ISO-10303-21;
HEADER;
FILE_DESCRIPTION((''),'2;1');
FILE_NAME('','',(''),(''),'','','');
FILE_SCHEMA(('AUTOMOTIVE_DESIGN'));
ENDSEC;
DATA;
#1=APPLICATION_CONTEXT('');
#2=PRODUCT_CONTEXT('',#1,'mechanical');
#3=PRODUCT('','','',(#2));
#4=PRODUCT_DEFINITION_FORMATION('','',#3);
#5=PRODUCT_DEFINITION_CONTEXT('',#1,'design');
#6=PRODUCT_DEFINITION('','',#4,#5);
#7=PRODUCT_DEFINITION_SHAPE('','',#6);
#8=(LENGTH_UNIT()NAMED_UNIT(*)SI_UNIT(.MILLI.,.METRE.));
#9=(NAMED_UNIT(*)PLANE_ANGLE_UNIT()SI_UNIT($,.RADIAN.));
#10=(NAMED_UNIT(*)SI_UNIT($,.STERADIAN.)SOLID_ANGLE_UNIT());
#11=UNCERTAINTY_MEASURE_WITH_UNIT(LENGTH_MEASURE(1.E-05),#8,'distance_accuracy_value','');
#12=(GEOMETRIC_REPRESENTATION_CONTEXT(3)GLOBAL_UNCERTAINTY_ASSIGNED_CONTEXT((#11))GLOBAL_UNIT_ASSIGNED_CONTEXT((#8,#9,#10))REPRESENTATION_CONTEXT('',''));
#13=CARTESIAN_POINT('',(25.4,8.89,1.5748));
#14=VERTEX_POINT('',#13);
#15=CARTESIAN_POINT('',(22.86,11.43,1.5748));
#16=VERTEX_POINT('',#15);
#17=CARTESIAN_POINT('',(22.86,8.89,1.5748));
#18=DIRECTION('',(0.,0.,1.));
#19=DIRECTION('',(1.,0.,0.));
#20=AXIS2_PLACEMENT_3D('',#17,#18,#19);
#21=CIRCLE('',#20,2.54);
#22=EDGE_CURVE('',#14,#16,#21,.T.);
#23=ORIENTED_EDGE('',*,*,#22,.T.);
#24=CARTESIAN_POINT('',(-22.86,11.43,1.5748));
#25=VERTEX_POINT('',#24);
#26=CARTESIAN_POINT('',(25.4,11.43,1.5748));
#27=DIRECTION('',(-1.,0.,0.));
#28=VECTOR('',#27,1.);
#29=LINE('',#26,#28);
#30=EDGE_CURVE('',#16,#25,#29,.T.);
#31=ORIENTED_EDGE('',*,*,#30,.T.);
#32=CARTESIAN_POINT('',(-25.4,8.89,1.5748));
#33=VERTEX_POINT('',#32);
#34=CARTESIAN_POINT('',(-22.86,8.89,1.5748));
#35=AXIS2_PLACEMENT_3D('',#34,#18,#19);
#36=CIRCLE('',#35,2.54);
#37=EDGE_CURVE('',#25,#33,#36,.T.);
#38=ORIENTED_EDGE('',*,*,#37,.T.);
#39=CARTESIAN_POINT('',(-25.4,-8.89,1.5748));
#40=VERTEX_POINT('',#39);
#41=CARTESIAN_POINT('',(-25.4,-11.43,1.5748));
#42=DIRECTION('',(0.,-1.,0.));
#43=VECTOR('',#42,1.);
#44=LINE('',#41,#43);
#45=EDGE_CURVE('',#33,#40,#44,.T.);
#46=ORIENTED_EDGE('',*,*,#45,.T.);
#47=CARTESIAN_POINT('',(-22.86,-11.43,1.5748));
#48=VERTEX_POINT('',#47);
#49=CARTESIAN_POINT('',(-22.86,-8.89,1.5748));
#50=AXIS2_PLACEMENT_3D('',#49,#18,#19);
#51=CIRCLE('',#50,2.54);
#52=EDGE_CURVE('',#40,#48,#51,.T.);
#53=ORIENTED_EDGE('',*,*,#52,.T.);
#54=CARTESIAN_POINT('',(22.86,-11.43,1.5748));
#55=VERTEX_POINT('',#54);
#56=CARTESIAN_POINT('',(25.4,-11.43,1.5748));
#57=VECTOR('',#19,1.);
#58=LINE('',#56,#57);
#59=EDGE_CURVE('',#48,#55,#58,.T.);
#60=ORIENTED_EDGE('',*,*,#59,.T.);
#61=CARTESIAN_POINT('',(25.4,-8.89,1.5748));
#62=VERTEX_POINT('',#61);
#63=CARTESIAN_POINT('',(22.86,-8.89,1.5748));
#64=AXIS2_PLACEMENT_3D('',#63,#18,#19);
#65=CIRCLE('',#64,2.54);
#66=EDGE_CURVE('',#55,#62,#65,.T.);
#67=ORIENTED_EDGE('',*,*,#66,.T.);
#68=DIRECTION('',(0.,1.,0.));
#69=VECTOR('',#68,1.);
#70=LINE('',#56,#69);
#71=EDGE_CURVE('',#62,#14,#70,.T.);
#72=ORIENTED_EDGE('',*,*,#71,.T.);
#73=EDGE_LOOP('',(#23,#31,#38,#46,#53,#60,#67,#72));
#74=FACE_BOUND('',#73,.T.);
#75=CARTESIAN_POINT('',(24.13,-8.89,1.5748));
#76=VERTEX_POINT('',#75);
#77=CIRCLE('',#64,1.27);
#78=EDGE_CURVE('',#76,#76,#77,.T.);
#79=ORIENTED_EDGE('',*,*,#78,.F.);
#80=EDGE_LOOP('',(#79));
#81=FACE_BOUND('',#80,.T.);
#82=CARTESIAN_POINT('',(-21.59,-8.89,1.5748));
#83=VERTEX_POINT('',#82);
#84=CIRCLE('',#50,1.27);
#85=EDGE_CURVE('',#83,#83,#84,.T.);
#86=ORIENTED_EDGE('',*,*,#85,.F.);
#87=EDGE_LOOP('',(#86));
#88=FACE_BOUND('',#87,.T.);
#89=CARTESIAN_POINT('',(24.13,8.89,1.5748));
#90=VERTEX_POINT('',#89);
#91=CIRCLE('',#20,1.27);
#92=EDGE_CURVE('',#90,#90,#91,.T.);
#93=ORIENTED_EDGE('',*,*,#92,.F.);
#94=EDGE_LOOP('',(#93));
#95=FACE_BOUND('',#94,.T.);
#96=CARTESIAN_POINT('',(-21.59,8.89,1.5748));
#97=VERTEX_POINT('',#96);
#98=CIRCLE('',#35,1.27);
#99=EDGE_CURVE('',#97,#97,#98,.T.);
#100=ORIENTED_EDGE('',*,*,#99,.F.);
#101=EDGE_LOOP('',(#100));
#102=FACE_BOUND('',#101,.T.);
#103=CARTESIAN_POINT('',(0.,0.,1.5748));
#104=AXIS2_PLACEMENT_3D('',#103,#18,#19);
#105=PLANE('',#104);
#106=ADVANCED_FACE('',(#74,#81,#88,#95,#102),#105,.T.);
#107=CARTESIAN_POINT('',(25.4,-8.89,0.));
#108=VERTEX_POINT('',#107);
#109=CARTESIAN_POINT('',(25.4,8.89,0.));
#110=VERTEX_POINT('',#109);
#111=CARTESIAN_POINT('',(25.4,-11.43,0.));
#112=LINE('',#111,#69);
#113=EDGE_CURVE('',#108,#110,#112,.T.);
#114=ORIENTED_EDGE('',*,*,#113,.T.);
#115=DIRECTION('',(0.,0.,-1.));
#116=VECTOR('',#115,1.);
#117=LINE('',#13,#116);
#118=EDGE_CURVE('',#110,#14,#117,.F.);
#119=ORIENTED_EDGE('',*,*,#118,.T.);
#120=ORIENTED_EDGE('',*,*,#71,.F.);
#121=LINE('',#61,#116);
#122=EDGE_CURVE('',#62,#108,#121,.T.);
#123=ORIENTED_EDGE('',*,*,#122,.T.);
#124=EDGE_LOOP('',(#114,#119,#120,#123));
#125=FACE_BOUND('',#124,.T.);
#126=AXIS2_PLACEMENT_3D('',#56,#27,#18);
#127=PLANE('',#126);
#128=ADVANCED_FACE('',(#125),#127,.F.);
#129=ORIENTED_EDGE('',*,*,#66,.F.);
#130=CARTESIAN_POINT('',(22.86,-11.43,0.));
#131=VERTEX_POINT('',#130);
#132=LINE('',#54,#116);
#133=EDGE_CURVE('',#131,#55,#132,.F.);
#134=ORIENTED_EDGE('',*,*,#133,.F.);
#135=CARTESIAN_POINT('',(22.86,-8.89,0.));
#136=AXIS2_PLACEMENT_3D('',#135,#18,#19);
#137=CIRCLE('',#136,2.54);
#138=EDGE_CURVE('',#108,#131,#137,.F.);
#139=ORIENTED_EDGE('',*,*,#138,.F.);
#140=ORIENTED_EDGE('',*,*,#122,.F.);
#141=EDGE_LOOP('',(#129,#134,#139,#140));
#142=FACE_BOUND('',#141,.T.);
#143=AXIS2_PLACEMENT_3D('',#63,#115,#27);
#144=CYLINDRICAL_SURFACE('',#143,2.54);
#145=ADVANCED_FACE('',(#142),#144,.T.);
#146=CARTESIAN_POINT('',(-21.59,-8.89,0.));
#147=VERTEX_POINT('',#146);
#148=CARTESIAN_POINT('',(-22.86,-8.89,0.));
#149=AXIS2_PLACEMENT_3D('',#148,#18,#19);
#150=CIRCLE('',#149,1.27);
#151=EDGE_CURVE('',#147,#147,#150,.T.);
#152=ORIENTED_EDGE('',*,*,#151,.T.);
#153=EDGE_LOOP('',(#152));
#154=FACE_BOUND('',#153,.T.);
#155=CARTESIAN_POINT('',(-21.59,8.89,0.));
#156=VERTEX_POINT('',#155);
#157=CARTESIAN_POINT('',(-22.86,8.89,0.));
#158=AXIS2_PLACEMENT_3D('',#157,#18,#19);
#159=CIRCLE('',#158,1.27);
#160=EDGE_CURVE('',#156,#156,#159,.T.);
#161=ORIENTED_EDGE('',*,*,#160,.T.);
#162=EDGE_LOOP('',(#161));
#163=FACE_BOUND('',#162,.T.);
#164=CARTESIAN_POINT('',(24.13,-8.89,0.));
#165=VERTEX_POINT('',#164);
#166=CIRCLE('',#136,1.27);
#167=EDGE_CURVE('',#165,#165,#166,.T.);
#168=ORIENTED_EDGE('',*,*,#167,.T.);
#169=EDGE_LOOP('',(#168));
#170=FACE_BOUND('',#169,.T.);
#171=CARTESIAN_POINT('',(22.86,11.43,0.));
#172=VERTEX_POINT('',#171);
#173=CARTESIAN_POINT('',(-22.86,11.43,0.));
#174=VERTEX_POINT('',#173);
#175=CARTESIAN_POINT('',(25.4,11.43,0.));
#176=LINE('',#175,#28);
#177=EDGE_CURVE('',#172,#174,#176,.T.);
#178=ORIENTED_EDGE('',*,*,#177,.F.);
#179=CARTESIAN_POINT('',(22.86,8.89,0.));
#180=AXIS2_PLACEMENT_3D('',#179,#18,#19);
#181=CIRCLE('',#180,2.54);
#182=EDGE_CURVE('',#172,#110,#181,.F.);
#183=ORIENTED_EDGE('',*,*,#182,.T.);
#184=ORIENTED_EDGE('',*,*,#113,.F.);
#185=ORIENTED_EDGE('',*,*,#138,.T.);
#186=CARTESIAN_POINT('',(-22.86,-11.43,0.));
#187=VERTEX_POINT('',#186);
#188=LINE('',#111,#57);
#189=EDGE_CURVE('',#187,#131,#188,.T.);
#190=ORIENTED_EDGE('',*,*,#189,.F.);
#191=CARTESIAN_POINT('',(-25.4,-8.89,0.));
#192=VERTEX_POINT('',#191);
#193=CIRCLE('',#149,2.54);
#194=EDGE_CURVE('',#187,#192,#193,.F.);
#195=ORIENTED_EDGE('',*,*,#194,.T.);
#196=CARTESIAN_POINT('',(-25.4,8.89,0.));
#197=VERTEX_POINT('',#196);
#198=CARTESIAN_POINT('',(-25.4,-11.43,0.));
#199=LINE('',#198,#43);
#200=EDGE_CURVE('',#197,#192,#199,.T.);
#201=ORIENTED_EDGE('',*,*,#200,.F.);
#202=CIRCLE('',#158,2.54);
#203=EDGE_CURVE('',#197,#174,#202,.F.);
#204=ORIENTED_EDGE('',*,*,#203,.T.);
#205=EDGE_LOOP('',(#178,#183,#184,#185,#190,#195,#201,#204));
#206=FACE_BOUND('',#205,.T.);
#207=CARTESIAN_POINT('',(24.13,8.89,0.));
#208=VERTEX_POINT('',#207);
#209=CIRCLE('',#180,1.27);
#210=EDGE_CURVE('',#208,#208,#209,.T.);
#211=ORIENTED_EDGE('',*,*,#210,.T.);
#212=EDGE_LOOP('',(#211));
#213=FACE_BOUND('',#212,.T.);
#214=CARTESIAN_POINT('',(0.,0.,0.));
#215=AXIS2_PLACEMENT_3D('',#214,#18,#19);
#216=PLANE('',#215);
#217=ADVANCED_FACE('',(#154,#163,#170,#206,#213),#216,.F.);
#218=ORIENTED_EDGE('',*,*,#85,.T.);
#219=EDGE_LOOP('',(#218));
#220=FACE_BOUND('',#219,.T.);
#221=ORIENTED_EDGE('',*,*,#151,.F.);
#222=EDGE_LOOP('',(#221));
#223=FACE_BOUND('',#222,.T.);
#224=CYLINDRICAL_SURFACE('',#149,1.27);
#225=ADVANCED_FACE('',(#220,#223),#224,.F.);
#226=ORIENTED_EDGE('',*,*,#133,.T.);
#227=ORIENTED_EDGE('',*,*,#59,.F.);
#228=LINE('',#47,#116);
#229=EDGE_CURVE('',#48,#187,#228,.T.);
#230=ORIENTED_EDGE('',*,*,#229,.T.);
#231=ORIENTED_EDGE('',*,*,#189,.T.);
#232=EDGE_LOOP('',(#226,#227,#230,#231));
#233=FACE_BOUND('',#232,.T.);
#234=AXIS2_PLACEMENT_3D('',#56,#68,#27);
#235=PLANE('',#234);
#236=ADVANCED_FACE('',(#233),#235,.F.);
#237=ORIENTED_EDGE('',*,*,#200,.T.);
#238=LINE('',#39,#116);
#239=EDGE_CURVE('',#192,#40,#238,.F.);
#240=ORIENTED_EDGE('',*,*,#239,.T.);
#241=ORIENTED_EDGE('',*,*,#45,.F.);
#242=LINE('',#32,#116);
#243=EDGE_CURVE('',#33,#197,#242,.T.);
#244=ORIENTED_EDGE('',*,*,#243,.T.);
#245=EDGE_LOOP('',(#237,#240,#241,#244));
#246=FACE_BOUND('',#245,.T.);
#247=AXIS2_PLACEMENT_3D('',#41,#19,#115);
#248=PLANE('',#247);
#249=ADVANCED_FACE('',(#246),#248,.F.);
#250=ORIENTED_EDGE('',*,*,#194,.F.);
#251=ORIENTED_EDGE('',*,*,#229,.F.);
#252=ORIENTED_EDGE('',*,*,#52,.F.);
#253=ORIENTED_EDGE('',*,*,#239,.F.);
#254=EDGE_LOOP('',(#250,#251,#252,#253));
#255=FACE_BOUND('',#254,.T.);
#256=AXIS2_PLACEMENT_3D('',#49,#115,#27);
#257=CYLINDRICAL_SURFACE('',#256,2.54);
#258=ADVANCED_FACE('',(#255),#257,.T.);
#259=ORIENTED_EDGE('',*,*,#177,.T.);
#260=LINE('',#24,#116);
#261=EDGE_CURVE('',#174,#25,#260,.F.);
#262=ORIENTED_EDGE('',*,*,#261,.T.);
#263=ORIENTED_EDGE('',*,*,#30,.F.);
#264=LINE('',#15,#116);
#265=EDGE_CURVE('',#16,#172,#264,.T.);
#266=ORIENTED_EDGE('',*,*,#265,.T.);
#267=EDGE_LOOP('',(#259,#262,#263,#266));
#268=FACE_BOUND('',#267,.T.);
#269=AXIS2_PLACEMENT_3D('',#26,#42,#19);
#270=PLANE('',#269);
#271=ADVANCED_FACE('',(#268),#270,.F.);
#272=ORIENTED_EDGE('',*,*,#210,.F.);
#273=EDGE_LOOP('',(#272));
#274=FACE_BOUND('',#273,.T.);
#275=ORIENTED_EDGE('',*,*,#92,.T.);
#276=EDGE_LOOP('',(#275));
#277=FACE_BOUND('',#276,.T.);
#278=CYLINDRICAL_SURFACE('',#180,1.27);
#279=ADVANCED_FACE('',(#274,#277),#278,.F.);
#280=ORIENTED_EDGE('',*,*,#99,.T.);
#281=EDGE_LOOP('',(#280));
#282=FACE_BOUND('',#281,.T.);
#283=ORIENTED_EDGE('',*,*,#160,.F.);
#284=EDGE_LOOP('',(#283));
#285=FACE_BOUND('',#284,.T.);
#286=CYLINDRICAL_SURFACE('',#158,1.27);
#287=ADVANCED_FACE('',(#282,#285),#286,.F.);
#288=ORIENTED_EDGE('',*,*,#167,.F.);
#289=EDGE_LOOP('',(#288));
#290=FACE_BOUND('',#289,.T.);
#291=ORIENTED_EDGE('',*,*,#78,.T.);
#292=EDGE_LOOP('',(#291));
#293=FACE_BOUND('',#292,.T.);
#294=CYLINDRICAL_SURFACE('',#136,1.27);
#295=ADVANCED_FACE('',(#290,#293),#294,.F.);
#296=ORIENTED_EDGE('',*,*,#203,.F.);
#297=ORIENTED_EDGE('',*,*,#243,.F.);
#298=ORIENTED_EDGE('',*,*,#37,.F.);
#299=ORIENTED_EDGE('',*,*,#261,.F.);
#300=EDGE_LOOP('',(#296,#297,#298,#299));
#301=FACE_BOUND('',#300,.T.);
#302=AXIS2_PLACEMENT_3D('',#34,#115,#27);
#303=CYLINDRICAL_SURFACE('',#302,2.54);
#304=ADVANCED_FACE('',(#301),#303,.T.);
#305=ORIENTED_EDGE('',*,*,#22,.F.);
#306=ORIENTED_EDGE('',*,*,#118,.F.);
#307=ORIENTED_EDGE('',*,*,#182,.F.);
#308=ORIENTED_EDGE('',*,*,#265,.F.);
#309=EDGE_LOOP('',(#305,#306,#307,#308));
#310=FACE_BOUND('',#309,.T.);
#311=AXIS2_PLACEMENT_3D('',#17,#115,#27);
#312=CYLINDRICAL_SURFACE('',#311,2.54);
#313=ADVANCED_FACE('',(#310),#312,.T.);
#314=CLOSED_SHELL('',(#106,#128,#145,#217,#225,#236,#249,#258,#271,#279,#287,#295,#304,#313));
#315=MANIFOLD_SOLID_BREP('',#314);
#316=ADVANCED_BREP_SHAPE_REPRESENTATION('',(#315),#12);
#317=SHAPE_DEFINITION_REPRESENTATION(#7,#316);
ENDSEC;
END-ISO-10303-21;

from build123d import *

# Parameters (mm, degrees)
SKETCH1_W           = 50.8
SKETCH1_H           = 22.86
BOSS_EXTRUDE1_DEPTH = 1.5748
SKETCH2_R           = 1.27
CUT_EXTRUDE1_DEPTH  = 2.5748
FILLET1_R           = 2.54


with BuildPart() as part:
    # Sketch1 → Boss-Extrude1 (new body)
    with BuildSketch(Plane.XY):
        Rectangle(SKETCH1_W, SKETCH1_H)
    extrude(amount=BOSS_EXTRUDE1_DEPTH)

    # Sketch2 → Cut-Extrude1 (cut, through all)
    with BuildSketch(Plane.XY.offset(1.5748)):
        with Locations((-22.86, 8.89)):
            Circle(SKETCH2_R)
        with Locations((22.86, 8.89)):
            Circle(SKETCH2_R)
        with Locations((-22.86, -8.89)):
            Circle(SKETCH2_R)
        with Locations((22.86, -8.89)):
            Circle(SKETCH2_R)
    extrude(amount=-CUT_EXTRUDE1_DEPTH, mode=Mode.SUBTRACT)

    # Fillet1
    fillet1_edges = [part.edges().sort_by_distance(p)[0] for p in [
        (-25.4, 11.43, 0.7874),
        (25.4, 11.43, 0.7874),
        (25.4, -11.43, 0.7874),
        (-25.4, -11.43, 0.7874),
    ]]
    fillet(fillet1_edges, radius=FILLET1_R)


solid = part.part
